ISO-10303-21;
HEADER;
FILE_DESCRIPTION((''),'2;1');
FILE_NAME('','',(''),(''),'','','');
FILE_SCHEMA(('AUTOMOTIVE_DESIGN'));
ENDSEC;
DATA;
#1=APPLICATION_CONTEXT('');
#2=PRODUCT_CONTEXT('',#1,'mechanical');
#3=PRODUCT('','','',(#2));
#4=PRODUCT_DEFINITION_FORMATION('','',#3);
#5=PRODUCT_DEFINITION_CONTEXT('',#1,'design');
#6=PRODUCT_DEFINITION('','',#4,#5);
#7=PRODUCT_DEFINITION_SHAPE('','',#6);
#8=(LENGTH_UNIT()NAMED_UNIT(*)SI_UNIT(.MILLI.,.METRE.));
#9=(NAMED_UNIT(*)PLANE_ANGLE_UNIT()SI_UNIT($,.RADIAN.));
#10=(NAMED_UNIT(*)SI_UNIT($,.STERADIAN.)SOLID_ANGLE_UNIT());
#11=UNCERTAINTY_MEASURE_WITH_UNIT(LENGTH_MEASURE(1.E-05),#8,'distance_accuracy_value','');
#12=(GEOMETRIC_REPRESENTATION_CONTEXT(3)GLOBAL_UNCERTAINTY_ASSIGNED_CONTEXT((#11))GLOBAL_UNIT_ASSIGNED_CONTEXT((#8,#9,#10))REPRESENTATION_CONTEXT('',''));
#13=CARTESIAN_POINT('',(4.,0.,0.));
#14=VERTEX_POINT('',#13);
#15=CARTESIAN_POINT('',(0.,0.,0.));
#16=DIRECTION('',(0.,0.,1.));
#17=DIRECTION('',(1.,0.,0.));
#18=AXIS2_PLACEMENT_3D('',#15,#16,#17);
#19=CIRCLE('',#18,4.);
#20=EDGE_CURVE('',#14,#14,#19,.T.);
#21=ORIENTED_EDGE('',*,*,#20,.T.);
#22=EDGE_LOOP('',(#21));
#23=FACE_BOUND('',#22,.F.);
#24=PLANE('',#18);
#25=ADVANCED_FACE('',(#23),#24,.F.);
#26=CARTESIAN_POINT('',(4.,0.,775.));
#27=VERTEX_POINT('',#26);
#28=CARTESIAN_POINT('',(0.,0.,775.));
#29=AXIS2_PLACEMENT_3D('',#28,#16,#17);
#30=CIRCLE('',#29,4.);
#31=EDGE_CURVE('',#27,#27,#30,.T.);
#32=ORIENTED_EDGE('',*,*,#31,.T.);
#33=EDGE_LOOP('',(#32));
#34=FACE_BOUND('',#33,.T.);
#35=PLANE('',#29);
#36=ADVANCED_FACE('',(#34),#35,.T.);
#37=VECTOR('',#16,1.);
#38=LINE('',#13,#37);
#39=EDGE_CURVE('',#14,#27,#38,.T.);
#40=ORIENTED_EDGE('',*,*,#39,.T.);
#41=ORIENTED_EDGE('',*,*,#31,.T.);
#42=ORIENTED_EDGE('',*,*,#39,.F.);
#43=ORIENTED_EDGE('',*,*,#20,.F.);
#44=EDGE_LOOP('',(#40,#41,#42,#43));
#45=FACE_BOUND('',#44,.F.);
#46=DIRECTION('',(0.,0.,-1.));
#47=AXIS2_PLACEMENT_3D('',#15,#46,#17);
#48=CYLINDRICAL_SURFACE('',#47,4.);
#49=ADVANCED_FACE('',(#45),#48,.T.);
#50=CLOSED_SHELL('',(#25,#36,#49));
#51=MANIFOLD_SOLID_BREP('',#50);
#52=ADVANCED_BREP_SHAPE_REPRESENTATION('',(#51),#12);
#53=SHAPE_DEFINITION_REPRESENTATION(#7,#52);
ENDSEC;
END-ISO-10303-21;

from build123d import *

# Parameters (mm, degrees)
CYLINDER_R     = 4
CYLINDER_DEPTH = 775


with BuildPart() as part:
    # Cylinder → Cylinder (new body)
    with BuildSketch(Plane.XY):
        Circle(CYLINDER_R)
    extrude(amount=CYLINDER_DEPTH)


solid = part.part
